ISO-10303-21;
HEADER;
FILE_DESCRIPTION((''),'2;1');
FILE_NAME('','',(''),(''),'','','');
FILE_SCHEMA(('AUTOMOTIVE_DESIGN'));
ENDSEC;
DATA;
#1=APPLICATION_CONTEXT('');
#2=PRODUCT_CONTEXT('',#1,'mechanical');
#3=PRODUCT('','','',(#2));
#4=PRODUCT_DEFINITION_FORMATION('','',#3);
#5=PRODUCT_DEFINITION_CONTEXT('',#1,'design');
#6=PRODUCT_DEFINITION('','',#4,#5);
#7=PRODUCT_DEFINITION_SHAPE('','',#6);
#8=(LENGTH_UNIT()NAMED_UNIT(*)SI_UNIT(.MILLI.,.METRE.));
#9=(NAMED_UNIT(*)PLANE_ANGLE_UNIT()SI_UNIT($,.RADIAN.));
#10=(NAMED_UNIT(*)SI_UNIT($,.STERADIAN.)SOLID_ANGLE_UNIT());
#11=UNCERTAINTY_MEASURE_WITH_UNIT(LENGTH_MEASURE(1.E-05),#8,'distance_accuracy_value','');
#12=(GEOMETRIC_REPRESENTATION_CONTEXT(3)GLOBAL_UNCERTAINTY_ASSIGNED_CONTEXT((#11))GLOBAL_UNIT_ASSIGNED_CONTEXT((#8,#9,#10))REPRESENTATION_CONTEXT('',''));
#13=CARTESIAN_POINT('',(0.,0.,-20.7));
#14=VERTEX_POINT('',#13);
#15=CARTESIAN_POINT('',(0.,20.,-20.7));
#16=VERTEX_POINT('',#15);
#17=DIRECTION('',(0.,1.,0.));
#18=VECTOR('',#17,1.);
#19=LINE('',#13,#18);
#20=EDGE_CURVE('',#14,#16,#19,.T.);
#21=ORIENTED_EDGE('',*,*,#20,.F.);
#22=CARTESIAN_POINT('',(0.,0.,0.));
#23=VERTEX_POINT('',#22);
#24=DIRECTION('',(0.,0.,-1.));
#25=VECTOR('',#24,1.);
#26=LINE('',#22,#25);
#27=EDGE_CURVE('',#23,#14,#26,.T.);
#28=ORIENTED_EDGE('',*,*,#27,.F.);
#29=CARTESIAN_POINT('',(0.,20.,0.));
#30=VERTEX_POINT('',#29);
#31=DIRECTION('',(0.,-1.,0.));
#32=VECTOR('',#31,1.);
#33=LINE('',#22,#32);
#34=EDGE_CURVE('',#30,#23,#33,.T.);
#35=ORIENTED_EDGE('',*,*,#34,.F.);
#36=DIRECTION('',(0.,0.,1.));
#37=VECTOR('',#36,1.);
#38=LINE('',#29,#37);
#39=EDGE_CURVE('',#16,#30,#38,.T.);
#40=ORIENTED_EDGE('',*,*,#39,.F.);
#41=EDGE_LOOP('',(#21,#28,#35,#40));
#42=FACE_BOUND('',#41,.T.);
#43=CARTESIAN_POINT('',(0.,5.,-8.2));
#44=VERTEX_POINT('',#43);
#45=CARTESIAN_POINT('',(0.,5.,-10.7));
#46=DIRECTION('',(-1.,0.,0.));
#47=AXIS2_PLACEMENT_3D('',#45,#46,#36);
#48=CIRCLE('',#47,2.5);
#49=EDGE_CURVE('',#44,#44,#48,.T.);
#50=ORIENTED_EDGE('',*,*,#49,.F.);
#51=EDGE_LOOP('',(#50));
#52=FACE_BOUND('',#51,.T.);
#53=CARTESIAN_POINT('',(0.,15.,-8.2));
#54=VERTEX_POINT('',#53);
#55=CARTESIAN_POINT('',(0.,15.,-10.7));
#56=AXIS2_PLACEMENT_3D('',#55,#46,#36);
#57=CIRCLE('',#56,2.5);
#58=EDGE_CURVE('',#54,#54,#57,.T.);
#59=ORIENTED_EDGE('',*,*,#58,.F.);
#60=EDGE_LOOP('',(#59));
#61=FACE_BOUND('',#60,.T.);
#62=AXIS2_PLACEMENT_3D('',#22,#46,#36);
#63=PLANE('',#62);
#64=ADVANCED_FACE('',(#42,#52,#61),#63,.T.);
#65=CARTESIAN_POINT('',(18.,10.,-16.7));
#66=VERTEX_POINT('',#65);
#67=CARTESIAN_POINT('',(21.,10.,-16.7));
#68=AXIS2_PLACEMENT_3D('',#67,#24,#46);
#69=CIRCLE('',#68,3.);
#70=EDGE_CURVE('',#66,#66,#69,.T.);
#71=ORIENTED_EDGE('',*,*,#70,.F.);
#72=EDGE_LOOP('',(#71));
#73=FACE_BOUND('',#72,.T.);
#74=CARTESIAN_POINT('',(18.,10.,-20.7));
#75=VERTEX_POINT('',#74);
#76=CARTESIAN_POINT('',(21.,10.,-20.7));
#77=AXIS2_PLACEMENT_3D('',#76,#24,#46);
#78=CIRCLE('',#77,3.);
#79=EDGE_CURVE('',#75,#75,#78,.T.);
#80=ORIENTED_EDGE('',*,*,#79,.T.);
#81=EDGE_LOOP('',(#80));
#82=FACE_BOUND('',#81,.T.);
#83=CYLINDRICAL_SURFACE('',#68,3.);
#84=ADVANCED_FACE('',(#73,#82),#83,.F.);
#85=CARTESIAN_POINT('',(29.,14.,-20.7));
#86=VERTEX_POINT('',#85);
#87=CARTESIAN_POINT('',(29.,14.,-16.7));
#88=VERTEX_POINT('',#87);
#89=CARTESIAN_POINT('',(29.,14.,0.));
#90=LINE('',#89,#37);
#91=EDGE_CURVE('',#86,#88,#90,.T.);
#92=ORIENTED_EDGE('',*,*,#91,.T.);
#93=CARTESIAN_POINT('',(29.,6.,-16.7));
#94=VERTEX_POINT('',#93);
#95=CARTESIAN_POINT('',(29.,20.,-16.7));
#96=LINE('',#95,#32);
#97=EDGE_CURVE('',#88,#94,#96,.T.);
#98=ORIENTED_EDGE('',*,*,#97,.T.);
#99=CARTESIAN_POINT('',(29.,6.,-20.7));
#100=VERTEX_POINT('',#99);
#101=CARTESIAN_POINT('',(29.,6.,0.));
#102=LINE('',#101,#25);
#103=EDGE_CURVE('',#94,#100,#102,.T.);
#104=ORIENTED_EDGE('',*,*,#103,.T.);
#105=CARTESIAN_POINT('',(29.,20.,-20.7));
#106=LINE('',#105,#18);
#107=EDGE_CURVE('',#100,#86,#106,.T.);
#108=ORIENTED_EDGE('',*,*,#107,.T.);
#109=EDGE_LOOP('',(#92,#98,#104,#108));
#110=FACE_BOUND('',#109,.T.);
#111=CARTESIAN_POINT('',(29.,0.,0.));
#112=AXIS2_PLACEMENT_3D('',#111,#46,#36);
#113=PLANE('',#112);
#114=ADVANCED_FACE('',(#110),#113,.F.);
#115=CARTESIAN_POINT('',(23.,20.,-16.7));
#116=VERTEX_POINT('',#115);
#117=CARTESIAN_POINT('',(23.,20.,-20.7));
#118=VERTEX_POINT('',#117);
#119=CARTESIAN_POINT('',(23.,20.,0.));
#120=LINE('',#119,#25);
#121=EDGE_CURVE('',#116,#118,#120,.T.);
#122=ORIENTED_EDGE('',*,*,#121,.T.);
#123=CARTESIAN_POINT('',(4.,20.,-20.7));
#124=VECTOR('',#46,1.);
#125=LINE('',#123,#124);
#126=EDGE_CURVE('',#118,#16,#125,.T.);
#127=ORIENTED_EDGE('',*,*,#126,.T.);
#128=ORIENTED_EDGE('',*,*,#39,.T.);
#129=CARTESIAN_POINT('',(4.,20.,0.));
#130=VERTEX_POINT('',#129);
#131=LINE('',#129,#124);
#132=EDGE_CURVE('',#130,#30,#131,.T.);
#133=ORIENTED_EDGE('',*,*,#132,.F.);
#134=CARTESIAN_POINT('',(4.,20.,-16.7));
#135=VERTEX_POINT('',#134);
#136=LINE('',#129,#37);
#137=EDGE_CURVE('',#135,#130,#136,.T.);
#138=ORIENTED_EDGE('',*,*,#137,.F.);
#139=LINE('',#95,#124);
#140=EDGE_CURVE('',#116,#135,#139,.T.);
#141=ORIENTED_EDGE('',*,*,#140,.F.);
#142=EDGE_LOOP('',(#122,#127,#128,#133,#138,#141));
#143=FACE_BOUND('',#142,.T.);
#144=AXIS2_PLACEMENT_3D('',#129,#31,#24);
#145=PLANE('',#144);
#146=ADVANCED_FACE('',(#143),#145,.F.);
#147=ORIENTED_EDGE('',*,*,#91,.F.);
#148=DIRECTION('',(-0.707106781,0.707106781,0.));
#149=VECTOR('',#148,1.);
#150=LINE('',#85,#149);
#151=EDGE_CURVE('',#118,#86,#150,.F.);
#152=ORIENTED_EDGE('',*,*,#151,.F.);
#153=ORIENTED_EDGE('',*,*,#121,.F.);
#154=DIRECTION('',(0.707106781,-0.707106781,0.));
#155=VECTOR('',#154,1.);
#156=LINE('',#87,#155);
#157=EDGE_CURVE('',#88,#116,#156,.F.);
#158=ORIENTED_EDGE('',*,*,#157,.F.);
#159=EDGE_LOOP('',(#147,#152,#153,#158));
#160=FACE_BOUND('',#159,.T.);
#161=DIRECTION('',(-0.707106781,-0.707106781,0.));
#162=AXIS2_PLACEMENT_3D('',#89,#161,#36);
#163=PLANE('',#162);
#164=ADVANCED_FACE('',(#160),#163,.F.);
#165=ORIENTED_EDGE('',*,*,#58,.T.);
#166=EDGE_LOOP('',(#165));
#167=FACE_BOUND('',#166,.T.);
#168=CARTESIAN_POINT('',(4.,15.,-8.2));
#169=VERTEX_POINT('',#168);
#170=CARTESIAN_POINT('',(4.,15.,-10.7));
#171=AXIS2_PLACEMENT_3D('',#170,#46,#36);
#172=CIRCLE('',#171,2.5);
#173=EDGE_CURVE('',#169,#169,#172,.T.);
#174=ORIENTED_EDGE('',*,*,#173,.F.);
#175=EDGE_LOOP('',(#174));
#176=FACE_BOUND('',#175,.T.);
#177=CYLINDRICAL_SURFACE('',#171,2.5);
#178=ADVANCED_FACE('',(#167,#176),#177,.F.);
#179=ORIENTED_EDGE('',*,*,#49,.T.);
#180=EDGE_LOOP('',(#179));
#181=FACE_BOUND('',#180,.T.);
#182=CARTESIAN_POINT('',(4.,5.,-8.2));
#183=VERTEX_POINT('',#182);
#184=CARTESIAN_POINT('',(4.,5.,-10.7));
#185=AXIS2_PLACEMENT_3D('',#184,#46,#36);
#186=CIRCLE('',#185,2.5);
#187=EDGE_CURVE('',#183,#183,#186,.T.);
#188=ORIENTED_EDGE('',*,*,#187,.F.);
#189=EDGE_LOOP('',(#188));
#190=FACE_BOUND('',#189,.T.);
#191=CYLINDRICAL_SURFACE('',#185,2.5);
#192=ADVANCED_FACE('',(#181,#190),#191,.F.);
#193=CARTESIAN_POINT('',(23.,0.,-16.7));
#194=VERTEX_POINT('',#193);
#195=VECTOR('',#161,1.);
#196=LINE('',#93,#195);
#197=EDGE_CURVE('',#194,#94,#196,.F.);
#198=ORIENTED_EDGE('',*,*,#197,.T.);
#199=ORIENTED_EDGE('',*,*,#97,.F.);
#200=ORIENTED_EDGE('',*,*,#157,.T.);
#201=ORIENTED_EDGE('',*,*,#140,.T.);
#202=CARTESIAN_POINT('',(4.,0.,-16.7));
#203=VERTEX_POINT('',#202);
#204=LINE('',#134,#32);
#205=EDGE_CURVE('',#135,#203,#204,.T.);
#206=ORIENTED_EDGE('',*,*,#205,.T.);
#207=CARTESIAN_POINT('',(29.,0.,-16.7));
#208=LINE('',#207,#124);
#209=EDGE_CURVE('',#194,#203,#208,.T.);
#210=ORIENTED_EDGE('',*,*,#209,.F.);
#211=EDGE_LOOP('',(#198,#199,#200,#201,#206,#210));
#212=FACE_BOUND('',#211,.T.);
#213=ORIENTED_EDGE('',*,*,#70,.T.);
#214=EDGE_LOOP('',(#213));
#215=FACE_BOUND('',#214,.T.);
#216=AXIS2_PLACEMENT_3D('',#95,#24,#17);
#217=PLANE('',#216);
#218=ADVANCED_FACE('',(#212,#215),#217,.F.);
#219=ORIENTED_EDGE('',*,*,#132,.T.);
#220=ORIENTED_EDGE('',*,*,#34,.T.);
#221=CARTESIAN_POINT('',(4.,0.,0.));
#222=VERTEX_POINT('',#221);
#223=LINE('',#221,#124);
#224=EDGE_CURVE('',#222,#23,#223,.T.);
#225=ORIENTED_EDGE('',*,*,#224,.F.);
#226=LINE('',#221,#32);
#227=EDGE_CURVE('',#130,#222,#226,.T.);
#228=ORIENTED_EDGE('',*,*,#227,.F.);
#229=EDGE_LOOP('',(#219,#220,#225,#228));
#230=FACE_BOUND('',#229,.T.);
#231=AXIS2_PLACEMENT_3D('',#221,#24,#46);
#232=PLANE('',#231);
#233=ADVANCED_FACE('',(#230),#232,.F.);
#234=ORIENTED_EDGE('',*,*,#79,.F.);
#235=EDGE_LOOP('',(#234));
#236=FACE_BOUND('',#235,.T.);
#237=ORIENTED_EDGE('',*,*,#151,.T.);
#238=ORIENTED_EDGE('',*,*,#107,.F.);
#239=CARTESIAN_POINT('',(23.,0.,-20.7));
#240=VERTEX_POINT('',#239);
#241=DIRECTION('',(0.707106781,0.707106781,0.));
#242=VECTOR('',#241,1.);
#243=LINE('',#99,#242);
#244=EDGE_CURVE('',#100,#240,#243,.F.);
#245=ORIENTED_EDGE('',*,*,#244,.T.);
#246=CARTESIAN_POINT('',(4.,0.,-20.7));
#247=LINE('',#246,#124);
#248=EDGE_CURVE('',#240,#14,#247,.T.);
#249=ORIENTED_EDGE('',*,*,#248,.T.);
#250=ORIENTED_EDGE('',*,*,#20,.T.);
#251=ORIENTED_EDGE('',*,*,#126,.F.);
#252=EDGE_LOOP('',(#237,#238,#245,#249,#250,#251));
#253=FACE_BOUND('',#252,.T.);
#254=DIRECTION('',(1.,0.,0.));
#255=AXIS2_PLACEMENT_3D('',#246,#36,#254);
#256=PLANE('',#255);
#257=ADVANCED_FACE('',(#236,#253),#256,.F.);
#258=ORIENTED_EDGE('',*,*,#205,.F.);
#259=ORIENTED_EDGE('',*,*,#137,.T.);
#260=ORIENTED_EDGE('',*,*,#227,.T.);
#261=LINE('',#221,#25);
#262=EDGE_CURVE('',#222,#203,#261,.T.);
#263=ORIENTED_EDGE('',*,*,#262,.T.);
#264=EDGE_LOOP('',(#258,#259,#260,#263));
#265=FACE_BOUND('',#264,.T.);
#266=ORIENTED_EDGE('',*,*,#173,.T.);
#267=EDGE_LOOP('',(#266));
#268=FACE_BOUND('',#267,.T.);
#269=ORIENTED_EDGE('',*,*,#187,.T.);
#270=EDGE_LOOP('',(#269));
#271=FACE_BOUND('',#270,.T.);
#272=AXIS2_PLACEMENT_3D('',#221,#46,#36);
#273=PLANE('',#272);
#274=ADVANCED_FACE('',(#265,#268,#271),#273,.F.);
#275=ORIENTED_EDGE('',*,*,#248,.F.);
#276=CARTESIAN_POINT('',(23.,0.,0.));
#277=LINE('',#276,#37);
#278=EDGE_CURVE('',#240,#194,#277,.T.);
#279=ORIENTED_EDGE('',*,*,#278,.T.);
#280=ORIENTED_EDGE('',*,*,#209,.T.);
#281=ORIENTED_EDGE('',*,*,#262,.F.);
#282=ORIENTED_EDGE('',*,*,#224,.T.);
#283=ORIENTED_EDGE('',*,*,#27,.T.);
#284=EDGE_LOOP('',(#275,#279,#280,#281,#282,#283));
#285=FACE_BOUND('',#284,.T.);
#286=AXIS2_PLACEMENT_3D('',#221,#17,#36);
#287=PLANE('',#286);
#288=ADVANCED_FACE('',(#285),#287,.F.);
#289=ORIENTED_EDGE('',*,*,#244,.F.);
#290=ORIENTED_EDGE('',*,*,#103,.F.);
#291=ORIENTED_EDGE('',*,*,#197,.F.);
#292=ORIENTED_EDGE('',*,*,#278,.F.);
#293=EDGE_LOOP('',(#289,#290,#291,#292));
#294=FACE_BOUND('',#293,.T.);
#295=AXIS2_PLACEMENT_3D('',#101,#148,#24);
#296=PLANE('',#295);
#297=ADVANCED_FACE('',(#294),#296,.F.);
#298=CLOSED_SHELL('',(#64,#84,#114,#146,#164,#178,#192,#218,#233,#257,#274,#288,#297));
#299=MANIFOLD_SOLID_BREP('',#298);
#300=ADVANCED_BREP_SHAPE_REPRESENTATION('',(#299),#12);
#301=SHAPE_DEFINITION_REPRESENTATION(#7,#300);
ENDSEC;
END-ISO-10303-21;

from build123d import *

# Parameters (mm, degrees)
SKETCH_1_W          = 20.7
SKETCH_1_H          = 20
EXTRUDE_1_DEPTH     = 4
SKETCH_2_W          = 4
SKETCH_2_H          = 20
EXTRUDE_2_DEPTH     = 25
SKETCH_3_R          = 2.5
CUT_EXTRUDE_1_DEPTH = 4
SKETCH_4_R          = 3
CUT_EXTRUDE_2_DEPTH = 4
CHAMFER_1_SIZE      = 6


with BuildPart() as part:
    # Эскиз1 → Бобышка-Вытянуть1 (new body)
    with BuildSketch(Plane(origin=(0, 0, 0), x_dir=(0, 0, -1), z_dir=(1, 0, 0))):
        with Locations((10.35, 10)):
            Rectangle(SKETCH_1_W, SKETCH_1_H)
    extrude(amount=EXTRUDE_1_DEPTH)

    # Эскиз2 → Бобышка-Вытянуть2 (add)
    with BuildSketch(Plane(origin=(4, 0, 0), x_dir=(0, 0, -1), z_dir=(1, 0, 0))):
        with Locations((18.7, 10)):
            Rectangle(SKETCH_2_W, SKETCH_2_H)
    extrude(amount=EXTRUDE_2_DEPTH)

    # Эскиз3 → Вырез-Вытянуть1 (cut)
    with BuildSketch(Plane.ZY):
        with Locations((-10.7, 15)):
            Circle(SKETCH_3_R)
        with Locations((-10.7, 5)):
            Circle(SKETCH_3_R)
    extrude(amount=-CUT_EXTRUDE_1_DEPTH, mode=Mode.SUBTRACT)

    # Эскиз4 → Вырез-Вытянуть2 (cut)
    with BuildSketch(Plane(origin=(0, 0, -20.7), x_dir=(-1, 0, 0), z_dir=(0, 0, -1))):
        with Locations((-21, 10)):
            Circle(SKETCH_4_R)
    extrude(amount=-CUT_EXTRUDE_2_DEPTH, mode=Mode.SUBTRACT)

    # Фаска1
    chamfer_1_edges = [part.edges().sort_by_distance(p)[0] for p in [
        (29, 0, -18.7),
        (29, 20, -18.7),
    ]]
    chamfer(chamfer_1_edges, length=CHAMFER_1_SIZE)


solid = part.part
